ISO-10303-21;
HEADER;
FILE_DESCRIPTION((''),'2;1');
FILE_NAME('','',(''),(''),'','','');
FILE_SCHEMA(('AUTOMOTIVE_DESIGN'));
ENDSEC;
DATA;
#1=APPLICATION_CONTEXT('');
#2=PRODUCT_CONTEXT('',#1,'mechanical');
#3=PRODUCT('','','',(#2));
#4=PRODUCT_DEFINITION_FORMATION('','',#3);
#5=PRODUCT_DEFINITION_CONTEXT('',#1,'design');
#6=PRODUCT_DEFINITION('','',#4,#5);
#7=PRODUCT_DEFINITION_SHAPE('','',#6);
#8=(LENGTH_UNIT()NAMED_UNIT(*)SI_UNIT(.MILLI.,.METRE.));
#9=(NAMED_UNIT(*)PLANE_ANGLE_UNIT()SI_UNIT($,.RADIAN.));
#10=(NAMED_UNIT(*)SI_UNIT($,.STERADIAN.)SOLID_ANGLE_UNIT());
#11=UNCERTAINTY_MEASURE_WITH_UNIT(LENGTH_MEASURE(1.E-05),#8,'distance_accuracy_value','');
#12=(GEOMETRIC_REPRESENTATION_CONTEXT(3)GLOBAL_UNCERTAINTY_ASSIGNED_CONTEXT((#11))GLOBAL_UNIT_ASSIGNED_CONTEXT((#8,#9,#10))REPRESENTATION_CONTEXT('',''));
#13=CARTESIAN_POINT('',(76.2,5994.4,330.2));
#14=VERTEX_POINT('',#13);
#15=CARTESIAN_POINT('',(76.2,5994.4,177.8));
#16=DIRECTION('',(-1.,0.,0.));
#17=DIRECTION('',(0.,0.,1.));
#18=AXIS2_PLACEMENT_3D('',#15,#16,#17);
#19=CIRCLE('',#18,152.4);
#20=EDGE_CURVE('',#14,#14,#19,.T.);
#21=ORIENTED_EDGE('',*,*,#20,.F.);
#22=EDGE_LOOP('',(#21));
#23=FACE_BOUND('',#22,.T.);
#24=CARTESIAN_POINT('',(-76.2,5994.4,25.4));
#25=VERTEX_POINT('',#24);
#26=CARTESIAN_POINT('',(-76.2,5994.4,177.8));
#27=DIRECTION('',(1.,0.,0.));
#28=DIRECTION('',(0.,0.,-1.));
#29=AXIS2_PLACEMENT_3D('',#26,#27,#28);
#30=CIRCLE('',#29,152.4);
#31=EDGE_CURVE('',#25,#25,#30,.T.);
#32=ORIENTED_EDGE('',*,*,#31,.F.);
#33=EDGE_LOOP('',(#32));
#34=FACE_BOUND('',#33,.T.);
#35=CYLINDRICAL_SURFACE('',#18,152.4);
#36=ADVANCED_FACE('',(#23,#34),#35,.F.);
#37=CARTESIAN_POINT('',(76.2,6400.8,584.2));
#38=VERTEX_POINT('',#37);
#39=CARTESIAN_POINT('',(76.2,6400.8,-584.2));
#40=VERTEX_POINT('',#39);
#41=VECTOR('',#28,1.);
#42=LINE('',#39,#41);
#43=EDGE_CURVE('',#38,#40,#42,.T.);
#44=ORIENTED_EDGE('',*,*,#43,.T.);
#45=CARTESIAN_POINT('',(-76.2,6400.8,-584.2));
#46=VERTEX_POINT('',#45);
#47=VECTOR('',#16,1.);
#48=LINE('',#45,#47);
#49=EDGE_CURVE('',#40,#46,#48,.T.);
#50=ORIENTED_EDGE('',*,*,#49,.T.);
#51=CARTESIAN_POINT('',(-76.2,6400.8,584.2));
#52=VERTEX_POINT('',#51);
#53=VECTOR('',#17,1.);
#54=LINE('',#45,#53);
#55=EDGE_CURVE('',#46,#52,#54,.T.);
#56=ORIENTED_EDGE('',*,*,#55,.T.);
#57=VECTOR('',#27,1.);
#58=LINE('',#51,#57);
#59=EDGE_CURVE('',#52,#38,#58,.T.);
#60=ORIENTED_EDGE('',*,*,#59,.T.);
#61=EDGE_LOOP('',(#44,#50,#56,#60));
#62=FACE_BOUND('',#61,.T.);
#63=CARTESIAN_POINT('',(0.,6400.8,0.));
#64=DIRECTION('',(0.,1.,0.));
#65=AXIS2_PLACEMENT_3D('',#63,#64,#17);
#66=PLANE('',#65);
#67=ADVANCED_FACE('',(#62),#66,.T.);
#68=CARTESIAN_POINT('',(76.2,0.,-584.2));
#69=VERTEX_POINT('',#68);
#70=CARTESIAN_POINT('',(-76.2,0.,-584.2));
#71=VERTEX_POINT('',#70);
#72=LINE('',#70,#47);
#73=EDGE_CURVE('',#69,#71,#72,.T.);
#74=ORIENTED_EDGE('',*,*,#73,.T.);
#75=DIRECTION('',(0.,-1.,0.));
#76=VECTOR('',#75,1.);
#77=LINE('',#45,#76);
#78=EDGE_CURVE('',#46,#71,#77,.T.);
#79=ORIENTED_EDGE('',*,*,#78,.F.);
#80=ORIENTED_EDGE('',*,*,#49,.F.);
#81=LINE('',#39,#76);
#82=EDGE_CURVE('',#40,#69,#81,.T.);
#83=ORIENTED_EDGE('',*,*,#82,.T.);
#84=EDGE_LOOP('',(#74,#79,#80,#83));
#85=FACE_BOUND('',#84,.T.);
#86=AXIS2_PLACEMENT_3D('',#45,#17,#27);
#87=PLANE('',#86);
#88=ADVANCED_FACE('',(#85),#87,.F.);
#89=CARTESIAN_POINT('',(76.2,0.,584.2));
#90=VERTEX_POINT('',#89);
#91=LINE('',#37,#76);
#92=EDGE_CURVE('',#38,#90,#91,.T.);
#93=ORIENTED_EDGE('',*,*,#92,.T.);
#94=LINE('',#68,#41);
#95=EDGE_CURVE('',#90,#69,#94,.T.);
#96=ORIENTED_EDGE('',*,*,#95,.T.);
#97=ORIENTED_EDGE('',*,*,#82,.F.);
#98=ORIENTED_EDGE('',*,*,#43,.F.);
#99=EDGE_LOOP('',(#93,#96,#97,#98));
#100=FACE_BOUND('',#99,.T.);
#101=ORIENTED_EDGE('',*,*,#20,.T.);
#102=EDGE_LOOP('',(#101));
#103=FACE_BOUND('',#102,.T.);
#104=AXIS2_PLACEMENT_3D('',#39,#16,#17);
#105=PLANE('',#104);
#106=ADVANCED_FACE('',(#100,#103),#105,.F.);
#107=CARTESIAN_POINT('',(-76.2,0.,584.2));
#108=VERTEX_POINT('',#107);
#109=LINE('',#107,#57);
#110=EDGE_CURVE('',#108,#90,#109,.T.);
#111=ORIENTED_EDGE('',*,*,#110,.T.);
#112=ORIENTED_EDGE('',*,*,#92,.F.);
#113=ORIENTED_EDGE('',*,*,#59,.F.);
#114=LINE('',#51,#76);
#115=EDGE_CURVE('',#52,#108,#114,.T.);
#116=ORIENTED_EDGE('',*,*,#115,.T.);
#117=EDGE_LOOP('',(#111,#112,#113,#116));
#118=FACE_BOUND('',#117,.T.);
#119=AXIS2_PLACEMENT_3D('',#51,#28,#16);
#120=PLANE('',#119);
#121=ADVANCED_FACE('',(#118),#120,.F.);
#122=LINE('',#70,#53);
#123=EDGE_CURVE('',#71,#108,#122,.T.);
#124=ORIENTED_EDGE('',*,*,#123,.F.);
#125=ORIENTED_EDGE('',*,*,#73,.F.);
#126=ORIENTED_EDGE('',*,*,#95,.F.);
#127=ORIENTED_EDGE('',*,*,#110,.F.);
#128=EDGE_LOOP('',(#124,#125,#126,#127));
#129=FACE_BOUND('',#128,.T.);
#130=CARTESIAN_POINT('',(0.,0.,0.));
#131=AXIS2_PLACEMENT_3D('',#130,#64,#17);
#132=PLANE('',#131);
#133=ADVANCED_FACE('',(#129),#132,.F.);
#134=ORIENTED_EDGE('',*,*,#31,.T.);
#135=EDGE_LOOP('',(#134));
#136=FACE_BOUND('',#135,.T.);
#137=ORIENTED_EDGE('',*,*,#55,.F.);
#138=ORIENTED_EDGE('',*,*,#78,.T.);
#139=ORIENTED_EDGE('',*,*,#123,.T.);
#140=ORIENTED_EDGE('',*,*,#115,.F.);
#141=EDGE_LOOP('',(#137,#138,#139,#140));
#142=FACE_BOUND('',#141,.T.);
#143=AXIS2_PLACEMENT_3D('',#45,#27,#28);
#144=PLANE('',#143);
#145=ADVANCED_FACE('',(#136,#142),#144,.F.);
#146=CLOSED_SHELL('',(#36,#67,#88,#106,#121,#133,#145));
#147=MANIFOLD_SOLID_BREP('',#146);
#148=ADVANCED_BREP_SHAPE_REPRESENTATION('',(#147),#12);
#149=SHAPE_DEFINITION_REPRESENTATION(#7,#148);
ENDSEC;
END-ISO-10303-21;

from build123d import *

# Parameters (mm, degrees)
SKETCH1_W               = 152.4
SKETCH1_H               = 1168.4
BOSS_EXTRUDE1_DEPTH     = 6400.8
CUT_EXTRUDE3_DEPTH      = 6430.211152233
CUT_EXTRUDE3_DEPTH_BACK = 6430.211152233
SKETCH4_R               = 152.4


with BuildPart() as part:
    # Sketch1 → Boss-Extrude1 (new body)
    with BuildSketch(Plane(origin=(0, 0, 0), x_dir=(1, 0, 0), z_dir=(0, 1, 0))):
        Rectangle(SKETCH1_W, SKETCH1_H)
    extrude(amount=BOSS_EXTRUDE1_DEPTH)

    # Sketch4 → Cut-Extrude3 (cut, two sides: drawn at the far end of the back side and taken through both)
    with BuildSketch(Plane.ZY.offset(76.2).offset(-CUT_EXTRUDE3_DEPTH_BACK)):
        with Locations((177.8, 5994.4)):
            Circle(SKETCH4_R)
    extrude(amount=CUT_EXTRUDE3_DEPTH + CUT_EXTRUDE3_DEPTH_BACK, mode=Mode.SUBTRACT)


solid = part.part
